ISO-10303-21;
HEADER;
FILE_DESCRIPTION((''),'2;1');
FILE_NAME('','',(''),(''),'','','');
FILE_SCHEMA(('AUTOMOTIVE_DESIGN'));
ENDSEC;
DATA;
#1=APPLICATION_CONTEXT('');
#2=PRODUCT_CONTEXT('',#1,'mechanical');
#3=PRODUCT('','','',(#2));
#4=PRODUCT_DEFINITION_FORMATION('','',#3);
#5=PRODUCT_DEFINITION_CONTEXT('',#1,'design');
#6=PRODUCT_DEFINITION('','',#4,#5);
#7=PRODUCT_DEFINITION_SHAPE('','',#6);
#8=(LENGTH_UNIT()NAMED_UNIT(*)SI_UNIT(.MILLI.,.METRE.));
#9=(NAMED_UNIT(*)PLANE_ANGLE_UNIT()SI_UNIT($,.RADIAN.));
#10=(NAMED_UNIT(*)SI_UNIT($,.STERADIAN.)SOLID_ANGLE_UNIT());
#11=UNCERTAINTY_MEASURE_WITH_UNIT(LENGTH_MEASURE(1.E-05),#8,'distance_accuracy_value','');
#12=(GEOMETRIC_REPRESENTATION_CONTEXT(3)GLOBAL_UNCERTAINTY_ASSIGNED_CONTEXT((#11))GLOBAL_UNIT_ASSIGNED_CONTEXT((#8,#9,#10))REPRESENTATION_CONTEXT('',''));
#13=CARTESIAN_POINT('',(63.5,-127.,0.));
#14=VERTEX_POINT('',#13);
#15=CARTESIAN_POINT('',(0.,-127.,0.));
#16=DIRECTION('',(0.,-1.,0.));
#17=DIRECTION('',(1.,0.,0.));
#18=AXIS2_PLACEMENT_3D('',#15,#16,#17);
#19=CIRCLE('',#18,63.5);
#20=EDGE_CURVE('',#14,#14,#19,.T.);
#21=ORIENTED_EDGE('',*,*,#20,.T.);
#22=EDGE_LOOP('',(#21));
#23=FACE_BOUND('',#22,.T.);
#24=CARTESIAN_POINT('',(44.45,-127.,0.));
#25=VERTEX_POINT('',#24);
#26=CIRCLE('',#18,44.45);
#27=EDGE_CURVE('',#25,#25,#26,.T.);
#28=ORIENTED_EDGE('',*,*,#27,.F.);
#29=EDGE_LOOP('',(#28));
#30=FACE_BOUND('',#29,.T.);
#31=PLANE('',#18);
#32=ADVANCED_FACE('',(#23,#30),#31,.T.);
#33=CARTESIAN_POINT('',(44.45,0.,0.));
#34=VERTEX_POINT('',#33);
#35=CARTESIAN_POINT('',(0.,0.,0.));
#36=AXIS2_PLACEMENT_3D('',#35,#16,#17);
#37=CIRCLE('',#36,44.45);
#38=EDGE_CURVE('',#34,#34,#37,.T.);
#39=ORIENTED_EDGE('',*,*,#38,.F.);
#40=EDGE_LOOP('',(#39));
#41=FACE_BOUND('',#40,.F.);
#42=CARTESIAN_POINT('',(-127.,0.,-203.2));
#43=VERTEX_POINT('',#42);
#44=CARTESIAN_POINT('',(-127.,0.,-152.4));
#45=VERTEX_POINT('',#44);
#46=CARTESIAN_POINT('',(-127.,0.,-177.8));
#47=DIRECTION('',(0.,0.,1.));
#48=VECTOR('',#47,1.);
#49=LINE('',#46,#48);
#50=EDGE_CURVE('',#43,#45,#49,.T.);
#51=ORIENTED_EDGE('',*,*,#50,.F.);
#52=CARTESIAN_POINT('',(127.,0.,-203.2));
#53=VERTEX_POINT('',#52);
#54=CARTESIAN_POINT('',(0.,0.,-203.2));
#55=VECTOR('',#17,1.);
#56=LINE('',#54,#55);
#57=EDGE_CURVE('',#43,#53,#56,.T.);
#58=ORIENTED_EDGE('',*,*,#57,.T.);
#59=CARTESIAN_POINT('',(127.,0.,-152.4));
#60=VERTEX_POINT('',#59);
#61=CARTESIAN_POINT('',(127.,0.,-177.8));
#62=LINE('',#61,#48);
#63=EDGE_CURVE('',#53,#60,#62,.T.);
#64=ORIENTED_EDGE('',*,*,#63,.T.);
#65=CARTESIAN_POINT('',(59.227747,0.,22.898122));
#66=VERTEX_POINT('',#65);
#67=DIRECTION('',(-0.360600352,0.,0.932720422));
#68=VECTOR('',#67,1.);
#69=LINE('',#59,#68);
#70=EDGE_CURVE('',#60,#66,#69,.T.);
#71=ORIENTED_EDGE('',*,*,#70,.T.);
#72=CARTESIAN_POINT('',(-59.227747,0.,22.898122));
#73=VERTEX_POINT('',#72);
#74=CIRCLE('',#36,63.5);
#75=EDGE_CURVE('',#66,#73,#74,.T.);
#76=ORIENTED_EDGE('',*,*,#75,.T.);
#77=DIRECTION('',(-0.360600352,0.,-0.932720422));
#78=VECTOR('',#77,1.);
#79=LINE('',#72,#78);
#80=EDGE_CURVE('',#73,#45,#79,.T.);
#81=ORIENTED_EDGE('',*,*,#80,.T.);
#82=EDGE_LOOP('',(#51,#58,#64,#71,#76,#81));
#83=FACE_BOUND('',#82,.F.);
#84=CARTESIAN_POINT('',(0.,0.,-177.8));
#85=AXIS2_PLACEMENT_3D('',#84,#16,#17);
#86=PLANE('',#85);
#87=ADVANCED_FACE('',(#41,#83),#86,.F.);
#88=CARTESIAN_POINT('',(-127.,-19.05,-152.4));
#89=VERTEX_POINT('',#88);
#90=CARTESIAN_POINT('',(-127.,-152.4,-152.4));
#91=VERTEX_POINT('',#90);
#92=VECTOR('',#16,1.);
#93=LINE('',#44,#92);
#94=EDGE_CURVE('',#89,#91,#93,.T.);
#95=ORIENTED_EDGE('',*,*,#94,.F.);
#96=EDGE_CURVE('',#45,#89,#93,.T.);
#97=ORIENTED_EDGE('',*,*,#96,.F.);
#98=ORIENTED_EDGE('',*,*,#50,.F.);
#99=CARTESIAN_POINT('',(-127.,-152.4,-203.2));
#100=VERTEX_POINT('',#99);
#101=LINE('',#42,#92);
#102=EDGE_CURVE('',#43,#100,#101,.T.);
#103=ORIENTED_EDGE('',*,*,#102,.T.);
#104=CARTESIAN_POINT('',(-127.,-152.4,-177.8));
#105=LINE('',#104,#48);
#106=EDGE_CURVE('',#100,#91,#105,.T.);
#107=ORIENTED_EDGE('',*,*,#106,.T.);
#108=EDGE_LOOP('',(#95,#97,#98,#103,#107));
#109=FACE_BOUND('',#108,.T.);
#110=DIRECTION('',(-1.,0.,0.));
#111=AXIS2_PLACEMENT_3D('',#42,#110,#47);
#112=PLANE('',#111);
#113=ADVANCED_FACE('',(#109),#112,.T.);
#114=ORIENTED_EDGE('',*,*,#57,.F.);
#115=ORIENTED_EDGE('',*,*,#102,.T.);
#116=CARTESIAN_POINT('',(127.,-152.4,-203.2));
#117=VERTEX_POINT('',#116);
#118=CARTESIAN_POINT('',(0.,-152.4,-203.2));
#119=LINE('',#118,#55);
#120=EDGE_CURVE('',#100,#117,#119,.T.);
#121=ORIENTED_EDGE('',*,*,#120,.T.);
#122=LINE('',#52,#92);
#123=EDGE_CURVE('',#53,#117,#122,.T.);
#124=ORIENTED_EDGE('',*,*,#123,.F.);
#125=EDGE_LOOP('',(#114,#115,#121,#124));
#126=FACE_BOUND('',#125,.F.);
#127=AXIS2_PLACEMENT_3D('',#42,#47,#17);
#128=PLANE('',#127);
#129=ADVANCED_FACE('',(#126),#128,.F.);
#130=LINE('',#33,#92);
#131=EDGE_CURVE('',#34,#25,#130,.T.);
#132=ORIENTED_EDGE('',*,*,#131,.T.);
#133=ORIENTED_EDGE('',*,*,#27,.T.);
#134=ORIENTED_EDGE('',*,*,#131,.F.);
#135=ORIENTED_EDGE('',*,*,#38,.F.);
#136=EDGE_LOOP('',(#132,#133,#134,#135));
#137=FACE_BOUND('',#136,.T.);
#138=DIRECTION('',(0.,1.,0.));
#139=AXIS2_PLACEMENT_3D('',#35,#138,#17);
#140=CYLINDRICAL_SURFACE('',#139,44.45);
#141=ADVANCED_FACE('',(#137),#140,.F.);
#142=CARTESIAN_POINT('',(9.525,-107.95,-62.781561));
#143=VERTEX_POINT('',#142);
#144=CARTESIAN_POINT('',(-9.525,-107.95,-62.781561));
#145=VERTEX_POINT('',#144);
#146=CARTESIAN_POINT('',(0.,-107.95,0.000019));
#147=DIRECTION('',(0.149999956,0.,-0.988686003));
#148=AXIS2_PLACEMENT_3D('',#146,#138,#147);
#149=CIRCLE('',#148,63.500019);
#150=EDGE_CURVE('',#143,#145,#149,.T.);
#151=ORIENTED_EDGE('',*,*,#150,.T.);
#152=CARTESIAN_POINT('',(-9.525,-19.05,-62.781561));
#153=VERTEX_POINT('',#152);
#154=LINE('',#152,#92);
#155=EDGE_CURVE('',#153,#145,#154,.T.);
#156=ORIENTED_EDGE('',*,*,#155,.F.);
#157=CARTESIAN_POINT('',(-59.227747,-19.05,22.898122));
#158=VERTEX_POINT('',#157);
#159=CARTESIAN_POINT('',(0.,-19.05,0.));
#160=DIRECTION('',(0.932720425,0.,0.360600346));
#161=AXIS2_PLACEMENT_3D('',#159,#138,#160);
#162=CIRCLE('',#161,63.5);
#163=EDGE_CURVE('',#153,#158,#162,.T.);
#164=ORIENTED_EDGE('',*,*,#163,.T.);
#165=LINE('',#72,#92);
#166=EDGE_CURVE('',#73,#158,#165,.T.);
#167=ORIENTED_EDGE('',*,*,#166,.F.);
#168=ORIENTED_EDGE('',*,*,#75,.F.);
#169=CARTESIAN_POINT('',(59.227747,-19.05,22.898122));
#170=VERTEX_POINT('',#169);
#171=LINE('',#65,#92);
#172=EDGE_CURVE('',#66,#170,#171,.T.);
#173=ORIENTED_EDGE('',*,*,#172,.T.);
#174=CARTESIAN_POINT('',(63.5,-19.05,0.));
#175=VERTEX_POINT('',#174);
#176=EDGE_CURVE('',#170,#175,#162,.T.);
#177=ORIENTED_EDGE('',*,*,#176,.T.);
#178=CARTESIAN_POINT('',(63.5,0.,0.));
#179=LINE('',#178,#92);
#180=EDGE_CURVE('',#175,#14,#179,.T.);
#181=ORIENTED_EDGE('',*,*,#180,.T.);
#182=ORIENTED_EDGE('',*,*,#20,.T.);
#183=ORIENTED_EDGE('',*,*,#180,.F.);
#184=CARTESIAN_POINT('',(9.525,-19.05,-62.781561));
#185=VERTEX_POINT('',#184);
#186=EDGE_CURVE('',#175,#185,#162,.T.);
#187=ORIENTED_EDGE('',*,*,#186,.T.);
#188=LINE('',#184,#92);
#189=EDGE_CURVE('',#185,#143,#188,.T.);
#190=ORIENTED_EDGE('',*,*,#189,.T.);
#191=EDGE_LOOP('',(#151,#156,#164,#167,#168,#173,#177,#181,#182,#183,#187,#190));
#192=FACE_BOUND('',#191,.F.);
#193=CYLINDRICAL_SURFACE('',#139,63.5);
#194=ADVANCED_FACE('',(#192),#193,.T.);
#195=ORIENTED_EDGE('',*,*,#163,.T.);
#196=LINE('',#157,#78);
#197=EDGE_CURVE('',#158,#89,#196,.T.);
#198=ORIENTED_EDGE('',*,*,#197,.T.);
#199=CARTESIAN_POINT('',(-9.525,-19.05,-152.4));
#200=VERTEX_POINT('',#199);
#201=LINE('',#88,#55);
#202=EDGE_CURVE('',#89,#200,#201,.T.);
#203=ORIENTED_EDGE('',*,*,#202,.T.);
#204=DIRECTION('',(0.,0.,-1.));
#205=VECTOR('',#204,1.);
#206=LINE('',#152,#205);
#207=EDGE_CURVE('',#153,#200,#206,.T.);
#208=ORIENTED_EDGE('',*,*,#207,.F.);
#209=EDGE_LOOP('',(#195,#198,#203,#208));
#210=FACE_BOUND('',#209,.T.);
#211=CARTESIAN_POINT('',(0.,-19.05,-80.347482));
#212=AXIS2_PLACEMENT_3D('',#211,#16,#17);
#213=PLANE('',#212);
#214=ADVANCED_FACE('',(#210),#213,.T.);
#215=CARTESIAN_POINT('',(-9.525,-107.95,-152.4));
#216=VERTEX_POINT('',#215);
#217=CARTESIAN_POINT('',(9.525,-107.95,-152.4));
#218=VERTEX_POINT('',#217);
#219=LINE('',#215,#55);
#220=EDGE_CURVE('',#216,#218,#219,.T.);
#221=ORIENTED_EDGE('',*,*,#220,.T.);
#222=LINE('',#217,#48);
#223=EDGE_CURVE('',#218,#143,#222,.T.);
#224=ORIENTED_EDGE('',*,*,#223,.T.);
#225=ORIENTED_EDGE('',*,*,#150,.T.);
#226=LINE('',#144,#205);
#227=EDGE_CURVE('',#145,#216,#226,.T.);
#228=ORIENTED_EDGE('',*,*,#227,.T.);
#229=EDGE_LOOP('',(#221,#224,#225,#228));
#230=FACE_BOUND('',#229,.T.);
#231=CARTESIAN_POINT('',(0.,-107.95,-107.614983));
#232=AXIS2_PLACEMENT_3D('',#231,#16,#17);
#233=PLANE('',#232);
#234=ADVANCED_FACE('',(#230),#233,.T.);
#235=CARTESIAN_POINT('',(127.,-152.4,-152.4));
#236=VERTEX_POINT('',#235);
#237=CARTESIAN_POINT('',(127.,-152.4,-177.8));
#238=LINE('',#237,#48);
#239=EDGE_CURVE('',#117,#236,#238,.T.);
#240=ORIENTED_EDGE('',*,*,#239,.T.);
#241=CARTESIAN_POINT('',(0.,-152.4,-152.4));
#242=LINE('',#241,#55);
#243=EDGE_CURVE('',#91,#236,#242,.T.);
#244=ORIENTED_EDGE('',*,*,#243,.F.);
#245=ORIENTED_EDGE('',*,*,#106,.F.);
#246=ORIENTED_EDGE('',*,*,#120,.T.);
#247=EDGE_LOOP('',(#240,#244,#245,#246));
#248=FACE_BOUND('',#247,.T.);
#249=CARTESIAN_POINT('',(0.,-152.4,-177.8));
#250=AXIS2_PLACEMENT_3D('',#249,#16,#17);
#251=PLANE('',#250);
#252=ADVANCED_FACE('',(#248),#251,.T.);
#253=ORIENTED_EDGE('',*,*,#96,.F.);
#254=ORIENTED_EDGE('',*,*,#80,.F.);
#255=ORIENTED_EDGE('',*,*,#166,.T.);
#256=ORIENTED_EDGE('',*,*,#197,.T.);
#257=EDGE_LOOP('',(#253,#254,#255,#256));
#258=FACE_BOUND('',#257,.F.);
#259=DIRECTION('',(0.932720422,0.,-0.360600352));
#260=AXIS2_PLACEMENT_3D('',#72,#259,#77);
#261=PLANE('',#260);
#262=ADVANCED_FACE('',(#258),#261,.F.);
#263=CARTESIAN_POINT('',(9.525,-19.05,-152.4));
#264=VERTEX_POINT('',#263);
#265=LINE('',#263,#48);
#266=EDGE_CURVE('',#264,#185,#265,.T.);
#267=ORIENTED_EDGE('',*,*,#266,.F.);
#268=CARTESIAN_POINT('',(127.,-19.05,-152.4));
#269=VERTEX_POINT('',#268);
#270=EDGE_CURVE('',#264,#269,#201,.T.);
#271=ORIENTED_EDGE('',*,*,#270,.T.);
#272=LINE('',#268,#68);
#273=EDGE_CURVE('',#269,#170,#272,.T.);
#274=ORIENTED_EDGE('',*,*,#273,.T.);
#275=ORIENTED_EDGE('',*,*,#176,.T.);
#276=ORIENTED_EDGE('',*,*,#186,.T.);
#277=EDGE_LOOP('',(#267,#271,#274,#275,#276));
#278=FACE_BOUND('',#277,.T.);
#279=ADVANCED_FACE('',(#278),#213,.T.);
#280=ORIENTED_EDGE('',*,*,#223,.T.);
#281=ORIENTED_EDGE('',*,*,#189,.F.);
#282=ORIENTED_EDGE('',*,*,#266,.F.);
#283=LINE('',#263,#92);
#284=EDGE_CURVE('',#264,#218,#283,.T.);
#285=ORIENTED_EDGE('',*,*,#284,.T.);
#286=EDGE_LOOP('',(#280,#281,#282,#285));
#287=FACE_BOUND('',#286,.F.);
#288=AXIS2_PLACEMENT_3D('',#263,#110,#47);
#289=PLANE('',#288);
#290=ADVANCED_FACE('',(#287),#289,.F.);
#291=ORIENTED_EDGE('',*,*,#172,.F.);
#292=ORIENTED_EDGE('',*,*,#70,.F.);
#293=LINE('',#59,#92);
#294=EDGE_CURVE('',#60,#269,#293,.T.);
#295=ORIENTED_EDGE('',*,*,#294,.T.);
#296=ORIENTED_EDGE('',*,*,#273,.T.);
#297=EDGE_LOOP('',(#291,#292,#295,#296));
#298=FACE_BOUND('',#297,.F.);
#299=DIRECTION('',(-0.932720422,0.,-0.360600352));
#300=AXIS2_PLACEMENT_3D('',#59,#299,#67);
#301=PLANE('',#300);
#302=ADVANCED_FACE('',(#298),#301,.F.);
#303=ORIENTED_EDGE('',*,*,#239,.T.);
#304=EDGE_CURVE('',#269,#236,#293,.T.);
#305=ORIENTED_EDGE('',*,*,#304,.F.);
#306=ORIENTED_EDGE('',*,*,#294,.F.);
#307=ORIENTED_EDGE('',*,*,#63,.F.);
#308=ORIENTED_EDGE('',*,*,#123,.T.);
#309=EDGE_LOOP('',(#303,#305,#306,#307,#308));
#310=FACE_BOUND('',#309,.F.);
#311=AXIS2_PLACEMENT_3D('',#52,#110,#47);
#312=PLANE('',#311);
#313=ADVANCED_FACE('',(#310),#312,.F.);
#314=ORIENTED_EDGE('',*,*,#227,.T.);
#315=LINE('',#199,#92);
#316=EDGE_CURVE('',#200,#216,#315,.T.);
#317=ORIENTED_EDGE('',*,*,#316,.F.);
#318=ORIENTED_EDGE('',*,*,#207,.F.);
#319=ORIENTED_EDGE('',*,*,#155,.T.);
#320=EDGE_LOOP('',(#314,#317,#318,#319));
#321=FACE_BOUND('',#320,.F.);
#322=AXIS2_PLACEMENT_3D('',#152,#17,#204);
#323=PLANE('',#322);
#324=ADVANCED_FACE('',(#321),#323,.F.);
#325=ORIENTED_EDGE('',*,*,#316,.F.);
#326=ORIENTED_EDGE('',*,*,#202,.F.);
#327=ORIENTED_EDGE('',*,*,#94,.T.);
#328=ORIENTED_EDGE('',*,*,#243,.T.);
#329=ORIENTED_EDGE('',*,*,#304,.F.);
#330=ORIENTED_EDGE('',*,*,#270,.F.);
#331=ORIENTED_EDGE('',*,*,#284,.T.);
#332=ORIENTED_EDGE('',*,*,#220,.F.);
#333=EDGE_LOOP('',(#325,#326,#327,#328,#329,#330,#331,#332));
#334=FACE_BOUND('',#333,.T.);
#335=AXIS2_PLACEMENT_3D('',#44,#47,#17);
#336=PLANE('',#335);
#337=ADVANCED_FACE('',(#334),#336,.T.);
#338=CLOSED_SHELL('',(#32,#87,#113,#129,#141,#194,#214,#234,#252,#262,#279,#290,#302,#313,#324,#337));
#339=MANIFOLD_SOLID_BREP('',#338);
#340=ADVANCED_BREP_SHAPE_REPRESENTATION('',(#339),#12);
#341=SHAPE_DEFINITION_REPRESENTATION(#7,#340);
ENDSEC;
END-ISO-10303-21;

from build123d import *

# Parameters (mm, degrees)
F0_R     = 63.5
F0_R_2   = 44.45
F1_DEPTH = 127
F3_DEPTH = 19.05
F4_W     = 254
F4_H     = 50.8
F5_DEPTH = 152.4
F7_DEPTH = 88.9


with BuildPart() as f1:
    # F0 (on Front) → F1 (new body)
    with BuildSketch(Plane.XZ):
        Circle(F0_R)
        Circle(F0_R_2, mode=Mode.SUBTRACT)
    extrude(amount=F1_DEPTH)

    # F2 (on Front) → F3 (join)
    with BuildSketch(Plane.XZ):
        with BuildLine():
            ThreePointArc((59.227747, 22.898122), (0, -63.5), (-59.227747, 22.898122))
            Line((-59.227747, 22.898122), (-127, -152.4))
            Line((-127, -152.4), (127, -152.4))
            Line((127, -152.4), (59.227747, 22.898122))
        make_face()
    extrude(amount=F3_DEPTH)

    # F4 (on Front) → F5 (join)
    with BuildSketch(Plane.XZ):
        with Locations((0, -177.8)):
            Rectangle(F4_W, F4_H)
    extrude(amount=F5_DEPTH)

    # F6 (on face) → F7 (join)
    with BuildSketch(Plane.XZ.offset(19.05)):
        with BuildLine():
            ThreePointArc((9.525, -62.781561), (0, -63.5), (-9.525, -62.781561))
            Line((-9.525, -62.781561), (-9.525, -152.4))
            Line((-9.525, -152.4), (9.525, -152.4))
            Line((9.525, -152.4), (9.525, -62.781561))
        make_face()
    extrude(amount=F7_DEPTH)


solid = f1.part
